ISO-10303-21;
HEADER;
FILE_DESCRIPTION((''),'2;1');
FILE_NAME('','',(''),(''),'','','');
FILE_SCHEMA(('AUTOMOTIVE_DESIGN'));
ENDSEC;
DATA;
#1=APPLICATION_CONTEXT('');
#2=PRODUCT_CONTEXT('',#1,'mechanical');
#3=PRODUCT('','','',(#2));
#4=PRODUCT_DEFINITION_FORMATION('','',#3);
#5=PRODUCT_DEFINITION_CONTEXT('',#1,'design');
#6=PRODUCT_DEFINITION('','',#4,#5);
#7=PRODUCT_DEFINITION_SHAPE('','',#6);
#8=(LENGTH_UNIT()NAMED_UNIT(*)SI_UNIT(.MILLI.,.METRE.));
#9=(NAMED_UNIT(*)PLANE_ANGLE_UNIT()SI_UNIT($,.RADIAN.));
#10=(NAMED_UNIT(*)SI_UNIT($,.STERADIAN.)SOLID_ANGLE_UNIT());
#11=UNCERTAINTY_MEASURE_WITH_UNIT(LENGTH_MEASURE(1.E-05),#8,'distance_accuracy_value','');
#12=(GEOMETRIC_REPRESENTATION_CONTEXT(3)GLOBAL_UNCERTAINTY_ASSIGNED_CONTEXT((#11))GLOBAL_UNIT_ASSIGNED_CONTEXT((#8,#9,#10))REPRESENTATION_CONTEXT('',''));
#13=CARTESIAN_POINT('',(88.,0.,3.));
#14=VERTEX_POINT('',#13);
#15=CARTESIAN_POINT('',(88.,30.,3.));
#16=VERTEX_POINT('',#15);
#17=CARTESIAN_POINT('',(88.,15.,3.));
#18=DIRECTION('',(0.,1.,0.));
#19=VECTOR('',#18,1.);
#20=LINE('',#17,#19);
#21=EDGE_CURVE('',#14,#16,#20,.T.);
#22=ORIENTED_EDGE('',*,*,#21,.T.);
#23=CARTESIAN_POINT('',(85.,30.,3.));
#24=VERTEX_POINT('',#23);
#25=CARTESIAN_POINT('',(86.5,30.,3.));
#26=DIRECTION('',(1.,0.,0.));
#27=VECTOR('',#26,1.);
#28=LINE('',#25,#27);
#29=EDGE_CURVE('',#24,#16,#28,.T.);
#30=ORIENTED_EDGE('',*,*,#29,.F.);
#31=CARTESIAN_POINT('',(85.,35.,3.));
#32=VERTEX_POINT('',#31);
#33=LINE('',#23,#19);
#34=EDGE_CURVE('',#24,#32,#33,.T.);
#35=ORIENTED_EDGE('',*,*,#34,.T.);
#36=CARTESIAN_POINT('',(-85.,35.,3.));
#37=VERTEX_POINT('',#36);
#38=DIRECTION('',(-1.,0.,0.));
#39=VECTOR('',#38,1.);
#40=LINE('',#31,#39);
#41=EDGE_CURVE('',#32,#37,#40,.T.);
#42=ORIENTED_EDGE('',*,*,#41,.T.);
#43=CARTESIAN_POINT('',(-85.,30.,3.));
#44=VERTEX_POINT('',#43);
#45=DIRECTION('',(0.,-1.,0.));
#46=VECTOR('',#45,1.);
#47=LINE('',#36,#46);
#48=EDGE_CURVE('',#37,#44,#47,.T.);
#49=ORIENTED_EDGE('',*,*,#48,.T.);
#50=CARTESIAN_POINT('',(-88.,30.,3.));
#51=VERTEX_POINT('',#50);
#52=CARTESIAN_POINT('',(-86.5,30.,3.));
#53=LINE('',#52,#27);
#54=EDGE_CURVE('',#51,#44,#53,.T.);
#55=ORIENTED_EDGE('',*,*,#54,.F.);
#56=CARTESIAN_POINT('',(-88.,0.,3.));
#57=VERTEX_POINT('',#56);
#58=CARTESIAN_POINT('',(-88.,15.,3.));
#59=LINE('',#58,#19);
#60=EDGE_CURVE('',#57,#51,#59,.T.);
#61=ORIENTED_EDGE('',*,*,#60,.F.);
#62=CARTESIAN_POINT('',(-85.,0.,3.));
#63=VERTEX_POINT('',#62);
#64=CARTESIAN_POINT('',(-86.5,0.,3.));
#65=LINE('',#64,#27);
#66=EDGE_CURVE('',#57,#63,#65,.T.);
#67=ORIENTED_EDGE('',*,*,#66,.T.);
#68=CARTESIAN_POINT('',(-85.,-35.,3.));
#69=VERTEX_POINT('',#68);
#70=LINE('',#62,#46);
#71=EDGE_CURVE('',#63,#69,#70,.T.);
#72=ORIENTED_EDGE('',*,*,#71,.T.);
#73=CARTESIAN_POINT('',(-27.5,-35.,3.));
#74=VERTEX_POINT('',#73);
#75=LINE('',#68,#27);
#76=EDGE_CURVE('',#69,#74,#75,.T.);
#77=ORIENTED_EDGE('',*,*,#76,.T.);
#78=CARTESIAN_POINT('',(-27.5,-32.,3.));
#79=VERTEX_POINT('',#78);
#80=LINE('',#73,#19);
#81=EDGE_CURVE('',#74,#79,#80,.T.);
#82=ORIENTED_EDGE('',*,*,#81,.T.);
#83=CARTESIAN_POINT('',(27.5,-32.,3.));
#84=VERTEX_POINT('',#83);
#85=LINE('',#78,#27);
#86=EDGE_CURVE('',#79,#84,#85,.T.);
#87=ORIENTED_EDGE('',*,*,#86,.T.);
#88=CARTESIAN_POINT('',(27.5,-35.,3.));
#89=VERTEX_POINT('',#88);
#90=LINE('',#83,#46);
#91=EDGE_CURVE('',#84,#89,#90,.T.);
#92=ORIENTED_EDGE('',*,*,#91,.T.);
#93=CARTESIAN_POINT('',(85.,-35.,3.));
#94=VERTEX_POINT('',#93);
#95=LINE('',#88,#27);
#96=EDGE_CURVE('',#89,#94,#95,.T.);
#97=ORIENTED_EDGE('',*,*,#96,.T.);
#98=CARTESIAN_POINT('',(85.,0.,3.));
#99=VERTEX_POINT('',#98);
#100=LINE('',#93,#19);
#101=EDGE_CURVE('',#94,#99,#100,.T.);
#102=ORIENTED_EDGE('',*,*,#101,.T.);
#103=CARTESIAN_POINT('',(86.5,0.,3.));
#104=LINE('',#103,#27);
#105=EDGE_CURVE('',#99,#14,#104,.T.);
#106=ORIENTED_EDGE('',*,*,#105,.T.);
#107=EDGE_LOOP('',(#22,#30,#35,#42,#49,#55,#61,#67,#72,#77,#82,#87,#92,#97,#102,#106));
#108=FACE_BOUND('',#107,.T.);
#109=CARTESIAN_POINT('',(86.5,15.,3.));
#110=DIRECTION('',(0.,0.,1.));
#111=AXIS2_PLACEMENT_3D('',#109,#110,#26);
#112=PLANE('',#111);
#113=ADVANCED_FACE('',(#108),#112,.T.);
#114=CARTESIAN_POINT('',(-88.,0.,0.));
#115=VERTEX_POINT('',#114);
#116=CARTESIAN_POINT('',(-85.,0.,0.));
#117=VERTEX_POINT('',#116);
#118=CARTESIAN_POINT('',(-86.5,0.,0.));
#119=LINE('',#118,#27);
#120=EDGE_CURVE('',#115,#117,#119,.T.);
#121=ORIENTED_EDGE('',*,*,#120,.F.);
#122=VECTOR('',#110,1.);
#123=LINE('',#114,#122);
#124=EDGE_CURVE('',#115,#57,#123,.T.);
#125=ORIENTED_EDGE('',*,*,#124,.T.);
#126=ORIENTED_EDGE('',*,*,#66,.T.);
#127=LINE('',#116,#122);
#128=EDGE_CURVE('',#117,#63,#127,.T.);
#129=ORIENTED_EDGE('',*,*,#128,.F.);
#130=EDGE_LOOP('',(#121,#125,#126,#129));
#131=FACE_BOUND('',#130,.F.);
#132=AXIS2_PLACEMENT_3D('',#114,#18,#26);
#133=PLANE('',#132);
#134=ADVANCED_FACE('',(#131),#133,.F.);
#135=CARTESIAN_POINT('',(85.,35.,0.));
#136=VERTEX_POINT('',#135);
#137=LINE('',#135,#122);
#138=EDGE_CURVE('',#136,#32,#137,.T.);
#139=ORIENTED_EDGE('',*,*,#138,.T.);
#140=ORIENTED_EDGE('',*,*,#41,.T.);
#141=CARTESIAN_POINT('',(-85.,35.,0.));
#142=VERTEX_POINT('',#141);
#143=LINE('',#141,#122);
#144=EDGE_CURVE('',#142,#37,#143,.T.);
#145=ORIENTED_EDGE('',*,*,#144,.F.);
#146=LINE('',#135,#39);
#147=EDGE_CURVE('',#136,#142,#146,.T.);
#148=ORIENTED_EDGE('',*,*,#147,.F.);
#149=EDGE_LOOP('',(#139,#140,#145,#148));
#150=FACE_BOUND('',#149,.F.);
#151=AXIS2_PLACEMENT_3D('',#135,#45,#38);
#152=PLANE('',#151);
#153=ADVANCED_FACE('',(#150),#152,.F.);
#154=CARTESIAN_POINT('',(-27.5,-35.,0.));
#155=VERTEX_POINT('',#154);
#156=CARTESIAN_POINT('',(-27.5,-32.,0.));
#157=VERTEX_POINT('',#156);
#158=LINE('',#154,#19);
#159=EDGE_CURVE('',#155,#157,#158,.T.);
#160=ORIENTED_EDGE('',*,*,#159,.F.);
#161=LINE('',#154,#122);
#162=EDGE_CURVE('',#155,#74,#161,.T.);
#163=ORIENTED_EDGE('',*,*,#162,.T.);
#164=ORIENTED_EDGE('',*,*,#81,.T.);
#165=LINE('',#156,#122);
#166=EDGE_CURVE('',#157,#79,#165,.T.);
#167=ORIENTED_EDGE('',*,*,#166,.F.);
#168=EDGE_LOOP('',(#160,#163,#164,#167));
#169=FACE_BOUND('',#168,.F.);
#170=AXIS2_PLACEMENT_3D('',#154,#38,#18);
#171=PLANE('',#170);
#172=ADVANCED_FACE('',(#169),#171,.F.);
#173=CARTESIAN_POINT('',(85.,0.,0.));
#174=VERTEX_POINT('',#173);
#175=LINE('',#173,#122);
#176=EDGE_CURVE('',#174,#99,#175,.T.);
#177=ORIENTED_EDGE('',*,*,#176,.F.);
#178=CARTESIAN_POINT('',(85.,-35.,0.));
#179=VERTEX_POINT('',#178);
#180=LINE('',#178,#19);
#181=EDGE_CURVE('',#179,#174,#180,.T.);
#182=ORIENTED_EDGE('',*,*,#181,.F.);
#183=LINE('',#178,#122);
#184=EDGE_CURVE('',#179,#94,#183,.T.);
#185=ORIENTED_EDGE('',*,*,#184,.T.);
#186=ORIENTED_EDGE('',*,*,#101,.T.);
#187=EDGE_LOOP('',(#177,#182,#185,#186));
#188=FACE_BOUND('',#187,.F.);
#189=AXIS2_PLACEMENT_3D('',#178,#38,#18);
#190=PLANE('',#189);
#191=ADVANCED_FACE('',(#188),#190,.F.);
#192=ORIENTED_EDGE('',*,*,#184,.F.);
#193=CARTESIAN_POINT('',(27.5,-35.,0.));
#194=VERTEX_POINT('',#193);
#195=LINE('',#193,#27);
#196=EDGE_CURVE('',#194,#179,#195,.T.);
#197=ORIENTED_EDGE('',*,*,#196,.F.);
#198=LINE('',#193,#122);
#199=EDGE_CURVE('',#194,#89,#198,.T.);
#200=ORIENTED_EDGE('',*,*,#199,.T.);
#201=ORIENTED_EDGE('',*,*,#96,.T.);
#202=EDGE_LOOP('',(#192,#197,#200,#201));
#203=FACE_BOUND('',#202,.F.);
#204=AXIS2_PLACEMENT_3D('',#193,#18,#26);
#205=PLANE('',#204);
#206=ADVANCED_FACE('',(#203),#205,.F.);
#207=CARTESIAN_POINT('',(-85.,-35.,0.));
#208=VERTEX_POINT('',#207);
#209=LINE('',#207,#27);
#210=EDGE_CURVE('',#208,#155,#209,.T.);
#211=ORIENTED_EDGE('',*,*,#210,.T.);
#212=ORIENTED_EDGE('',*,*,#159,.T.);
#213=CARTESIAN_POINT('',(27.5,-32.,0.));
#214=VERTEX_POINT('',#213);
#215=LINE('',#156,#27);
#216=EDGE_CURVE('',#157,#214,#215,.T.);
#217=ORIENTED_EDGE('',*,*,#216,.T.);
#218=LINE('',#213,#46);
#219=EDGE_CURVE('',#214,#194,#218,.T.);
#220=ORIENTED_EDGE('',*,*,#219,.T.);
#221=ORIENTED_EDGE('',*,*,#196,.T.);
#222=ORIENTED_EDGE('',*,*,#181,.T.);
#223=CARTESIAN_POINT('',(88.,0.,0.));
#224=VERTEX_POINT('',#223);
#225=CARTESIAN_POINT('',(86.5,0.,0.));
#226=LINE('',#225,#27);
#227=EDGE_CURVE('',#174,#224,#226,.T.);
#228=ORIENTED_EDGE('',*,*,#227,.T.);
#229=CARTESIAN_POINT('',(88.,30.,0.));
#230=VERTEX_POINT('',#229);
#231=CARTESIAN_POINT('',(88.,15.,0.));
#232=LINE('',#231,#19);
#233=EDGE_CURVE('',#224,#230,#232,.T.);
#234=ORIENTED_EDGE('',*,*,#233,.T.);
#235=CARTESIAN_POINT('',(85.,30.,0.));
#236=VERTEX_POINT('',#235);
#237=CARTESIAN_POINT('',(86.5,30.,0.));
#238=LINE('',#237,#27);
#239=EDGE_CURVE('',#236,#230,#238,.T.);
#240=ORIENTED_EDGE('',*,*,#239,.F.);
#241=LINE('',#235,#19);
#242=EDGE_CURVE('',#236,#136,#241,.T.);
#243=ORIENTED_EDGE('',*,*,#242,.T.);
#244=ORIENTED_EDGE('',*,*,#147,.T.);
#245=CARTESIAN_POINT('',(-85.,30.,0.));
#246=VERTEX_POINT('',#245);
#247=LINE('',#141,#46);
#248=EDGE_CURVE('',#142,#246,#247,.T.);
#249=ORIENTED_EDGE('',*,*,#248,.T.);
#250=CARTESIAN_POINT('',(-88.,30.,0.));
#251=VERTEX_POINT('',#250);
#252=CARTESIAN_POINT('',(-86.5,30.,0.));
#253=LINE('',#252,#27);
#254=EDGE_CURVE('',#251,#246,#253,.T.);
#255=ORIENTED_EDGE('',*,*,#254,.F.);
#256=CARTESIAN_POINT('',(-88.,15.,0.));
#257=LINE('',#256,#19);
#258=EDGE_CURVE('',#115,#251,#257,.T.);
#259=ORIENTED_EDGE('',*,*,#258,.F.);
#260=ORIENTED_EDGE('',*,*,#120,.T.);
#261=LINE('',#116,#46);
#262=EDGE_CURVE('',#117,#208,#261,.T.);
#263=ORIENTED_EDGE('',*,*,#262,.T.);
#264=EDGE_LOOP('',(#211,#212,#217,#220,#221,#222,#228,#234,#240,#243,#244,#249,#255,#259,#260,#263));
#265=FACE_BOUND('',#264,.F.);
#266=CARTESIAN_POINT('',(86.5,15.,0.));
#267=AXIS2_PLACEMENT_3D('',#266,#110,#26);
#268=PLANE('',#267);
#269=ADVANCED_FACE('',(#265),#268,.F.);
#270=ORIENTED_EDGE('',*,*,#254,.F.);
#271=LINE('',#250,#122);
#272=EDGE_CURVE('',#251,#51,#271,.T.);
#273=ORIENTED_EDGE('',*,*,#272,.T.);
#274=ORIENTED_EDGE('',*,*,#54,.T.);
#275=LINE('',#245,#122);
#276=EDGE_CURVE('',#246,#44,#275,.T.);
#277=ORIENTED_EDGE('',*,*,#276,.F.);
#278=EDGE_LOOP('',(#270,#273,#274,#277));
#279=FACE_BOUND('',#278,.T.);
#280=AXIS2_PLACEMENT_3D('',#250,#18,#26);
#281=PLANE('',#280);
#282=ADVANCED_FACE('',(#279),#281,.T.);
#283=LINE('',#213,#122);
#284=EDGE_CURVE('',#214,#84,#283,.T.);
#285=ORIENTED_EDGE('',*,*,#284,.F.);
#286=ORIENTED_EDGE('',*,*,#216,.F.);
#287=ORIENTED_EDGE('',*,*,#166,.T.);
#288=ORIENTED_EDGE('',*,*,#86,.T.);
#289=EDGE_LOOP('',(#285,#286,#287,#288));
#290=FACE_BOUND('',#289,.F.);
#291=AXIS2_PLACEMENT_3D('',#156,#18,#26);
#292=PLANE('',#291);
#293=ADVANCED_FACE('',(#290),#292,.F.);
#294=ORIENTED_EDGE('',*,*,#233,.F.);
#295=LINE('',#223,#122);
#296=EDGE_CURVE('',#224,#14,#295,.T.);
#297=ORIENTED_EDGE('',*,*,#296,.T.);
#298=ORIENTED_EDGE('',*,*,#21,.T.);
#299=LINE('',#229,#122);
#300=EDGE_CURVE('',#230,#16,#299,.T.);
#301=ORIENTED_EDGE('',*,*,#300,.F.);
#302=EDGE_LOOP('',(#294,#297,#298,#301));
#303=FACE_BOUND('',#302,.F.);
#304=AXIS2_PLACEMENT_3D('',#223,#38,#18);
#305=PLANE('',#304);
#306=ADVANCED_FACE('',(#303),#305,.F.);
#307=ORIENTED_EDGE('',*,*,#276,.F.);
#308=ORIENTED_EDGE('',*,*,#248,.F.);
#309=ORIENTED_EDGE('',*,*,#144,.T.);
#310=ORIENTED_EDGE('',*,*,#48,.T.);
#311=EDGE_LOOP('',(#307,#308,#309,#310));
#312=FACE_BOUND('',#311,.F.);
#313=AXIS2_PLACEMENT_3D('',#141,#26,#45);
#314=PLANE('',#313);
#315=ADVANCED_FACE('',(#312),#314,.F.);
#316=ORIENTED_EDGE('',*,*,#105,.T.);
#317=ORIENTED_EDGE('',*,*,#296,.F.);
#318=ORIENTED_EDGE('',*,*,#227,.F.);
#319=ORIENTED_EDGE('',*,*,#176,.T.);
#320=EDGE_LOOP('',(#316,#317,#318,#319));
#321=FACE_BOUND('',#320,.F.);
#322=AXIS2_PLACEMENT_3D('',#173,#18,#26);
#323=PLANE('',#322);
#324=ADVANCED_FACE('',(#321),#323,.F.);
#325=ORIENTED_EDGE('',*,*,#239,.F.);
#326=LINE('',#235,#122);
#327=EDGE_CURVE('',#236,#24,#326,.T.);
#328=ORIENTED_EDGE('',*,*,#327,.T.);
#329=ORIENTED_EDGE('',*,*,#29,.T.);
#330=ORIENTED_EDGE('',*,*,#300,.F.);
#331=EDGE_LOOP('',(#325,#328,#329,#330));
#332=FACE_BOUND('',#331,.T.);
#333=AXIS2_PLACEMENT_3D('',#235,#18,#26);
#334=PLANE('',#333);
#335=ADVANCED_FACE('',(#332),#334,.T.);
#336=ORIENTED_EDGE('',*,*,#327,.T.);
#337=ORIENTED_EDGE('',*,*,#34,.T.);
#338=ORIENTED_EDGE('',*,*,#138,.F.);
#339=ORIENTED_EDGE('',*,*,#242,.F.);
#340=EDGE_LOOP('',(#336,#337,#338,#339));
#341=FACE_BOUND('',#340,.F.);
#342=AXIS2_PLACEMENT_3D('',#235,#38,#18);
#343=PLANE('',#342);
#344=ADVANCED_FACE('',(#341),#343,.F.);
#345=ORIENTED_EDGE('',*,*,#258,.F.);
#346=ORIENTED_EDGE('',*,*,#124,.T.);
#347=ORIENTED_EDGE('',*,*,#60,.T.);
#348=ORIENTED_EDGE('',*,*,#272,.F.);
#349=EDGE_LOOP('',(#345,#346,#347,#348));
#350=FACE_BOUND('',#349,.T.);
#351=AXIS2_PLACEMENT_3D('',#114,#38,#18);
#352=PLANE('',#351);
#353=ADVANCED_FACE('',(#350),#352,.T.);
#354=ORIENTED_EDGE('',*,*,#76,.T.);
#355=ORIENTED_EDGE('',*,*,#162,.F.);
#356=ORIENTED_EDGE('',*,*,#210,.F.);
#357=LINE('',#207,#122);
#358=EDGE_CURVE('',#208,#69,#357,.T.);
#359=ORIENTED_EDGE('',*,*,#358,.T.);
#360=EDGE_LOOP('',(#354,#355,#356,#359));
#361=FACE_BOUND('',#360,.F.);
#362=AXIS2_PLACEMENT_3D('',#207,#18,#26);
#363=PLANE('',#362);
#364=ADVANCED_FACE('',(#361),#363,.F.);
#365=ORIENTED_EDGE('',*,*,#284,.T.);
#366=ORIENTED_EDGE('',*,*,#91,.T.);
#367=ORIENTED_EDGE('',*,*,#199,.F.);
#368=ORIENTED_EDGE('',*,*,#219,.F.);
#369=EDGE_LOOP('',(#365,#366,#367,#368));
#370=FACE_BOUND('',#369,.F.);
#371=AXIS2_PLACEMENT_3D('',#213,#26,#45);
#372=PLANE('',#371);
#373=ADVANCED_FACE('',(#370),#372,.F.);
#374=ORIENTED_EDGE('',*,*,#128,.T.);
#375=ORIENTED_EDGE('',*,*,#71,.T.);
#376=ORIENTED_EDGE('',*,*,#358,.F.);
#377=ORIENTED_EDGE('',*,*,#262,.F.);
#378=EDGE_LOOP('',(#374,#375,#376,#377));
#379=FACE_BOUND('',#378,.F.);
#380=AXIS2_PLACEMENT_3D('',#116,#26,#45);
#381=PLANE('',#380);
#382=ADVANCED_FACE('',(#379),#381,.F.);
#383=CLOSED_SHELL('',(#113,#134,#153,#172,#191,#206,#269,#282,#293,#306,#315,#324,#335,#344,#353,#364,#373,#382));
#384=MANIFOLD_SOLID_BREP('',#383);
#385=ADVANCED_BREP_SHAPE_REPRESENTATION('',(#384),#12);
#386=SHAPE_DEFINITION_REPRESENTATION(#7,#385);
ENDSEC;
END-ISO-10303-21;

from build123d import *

# Parameters (mm, degrees)
F0_W     = 3
F0_H     = 30
F1_DEPTH = 3


with BuildPart() as f1:
    # F0 (on Top) → F1 (new body)
    with BuildSketch(Plane.XY):
        with Locations((86.5, 15)):
            Rectangle(F0_W, F0_H)
        with Locations((-86.5, 15)):
            Rectangle(F0_W, F0_H)
        Polygon((85, 30), (85, 35), (-85, 35), (-85, 30), (-85, 0), (-85, -35), (-27.5, -35), (-27.5, -32), (27.5, -32), (27.5, -35), (85, -35), (85, 0), align=None)
    extrude(amount=F1_DEPTH)


solid = f1.part
